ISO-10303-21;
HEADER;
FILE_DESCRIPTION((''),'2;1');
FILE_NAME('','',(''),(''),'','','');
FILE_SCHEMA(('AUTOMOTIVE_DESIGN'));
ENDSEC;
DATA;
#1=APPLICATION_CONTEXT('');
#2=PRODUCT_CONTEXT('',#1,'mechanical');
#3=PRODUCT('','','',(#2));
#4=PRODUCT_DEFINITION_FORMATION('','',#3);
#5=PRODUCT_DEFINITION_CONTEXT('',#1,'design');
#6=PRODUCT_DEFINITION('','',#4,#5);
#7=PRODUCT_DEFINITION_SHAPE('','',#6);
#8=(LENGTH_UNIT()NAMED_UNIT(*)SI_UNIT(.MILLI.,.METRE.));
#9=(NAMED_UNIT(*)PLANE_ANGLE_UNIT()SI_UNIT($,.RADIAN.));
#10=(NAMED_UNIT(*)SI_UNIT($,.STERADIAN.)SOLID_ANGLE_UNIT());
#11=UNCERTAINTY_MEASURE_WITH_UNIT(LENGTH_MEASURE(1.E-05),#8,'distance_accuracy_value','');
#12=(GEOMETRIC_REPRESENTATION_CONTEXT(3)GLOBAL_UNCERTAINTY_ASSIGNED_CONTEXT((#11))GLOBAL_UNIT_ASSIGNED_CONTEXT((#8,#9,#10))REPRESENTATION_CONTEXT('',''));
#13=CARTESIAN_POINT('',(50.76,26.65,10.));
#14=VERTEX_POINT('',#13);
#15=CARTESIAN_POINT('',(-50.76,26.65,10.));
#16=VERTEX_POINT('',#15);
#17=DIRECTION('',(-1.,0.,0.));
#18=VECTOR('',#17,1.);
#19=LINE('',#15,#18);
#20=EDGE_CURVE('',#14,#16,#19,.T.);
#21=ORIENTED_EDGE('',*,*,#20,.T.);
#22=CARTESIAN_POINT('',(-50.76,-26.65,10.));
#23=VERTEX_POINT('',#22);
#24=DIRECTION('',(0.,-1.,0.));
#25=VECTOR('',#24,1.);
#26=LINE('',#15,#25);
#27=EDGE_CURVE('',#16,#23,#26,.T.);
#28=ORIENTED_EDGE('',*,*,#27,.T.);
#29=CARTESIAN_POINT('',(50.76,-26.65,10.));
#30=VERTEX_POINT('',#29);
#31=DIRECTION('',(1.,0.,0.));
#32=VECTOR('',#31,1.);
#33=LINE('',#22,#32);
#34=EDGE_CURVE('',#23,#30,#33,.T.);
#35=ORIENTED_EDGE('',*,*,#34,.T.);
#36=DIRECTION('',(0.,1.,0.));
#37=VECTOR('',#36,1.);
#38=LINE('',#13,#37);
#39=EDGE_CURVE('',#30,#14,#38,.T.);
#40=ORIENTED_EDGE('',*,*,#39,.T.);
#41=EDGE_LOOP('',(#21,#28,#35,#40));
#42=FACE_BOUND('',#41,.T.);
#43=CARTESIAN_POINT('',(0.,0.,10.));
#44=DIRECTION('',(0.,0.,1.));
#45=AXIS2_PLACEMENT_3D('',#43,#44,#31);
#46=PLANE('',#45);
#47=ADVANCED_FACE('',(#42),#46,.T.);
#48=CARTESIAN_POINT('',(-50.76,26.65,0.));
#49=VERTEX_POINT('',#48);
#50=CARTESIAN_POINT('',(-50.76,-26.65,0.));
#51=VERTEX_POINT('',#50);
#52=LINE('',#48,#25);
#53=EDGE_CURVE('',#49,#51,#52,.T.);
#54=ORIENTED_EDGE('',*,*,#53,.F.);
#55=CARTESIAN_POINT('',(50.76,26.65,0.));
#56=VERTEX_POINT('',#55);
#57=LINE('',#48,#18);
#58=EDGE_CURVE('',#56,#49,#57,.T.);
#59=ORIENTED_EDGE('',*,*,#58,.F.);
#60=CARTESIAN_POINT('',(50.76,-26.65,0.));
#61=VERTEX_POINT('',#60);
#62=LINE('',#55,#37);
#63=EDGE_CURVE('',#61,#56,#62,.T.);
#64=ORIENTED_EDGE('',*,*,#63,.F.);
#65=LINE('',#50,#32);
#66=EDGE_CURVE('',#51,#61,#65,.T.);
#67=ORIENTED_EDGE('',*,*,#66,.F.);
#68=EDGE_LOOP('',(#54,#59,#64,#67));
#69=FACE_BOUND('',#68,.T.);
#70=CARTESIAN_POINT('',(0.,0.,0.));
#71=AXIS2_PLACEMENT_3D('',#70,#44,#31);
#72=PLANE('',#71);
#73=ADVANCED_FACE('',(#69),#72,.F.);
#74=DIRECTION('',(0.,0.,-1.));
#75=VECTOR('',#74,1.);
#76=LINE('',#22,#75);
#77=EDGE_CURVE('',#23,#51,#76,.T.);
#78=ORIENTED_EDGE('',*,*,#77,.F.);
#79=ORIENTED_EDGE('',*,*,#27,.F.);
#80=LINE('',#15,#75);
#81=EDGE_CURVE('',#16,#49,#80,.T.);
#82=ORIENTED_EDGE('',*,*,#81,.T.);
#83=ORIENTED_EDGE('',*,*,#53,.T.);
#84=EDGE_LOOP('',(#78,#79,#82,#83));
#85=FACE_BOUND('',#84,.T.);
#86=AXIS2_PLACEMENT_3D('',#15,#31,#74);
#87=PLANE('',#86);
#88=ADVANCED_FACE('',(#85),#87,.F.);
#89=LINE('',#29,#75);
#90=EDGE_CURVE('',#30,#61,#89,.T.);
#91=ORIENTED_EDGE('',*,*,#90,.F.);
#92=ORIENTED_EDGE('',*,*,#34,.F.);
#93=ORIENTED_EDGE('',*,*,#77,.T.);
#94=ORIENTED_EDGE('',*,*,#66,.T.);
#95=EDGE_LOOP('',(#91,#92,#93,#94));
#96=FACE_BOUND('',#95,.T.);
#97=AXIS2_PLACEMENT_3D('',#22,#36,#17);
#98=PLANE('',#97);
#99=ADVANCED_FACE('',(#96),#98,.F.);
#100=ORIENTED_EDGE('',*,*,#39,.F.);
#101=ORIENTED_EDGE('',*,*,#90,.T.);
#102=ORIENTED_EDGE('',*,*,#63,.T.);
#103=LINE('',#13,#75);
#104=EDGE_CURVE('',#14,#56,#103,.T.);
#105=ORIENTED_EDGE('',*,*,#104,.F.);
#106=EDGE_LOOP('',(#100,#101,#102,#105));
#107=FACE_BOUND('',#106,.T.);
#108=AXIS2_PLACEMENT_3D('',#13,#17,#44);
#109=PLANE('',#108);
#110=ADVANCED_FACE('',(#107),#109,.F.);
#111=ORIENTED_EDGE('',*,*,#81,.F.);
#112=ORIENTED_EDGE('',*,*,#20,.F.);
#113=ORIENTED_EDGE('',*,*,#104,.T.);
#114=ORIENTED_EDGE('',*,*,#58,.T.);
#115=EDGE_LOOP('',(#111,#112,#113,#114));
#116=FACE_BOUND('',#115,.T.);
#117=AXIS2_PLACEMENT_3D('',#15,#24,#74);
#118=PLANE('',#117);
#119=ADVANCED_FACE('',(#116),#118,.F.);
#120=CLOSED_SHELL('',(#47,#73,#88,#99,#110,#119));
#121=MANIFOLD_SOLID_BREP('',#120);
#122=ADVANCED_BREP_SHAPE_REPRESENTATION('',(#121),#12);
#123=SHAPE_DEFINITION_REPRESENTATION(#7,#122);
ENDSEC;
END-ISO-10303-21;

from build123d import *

# Parameters (mm, degrees)
ESQUISSE1_W        = 101.52
ESQUISSE1_H        = 53.3
BOSS_EXTRU_1_DEPTH = 10


with BuildPart() as part:
    # Esquisse1 → Boss.-Extru.1 (new body)
    with BuildSketch(Plane.XY):
        Rectangle(ESQUISSE1_W, ESQUISSE1_H)
    extrude(amount=BOSS_EXTRU_1_DEPTH)


solid = part.part
